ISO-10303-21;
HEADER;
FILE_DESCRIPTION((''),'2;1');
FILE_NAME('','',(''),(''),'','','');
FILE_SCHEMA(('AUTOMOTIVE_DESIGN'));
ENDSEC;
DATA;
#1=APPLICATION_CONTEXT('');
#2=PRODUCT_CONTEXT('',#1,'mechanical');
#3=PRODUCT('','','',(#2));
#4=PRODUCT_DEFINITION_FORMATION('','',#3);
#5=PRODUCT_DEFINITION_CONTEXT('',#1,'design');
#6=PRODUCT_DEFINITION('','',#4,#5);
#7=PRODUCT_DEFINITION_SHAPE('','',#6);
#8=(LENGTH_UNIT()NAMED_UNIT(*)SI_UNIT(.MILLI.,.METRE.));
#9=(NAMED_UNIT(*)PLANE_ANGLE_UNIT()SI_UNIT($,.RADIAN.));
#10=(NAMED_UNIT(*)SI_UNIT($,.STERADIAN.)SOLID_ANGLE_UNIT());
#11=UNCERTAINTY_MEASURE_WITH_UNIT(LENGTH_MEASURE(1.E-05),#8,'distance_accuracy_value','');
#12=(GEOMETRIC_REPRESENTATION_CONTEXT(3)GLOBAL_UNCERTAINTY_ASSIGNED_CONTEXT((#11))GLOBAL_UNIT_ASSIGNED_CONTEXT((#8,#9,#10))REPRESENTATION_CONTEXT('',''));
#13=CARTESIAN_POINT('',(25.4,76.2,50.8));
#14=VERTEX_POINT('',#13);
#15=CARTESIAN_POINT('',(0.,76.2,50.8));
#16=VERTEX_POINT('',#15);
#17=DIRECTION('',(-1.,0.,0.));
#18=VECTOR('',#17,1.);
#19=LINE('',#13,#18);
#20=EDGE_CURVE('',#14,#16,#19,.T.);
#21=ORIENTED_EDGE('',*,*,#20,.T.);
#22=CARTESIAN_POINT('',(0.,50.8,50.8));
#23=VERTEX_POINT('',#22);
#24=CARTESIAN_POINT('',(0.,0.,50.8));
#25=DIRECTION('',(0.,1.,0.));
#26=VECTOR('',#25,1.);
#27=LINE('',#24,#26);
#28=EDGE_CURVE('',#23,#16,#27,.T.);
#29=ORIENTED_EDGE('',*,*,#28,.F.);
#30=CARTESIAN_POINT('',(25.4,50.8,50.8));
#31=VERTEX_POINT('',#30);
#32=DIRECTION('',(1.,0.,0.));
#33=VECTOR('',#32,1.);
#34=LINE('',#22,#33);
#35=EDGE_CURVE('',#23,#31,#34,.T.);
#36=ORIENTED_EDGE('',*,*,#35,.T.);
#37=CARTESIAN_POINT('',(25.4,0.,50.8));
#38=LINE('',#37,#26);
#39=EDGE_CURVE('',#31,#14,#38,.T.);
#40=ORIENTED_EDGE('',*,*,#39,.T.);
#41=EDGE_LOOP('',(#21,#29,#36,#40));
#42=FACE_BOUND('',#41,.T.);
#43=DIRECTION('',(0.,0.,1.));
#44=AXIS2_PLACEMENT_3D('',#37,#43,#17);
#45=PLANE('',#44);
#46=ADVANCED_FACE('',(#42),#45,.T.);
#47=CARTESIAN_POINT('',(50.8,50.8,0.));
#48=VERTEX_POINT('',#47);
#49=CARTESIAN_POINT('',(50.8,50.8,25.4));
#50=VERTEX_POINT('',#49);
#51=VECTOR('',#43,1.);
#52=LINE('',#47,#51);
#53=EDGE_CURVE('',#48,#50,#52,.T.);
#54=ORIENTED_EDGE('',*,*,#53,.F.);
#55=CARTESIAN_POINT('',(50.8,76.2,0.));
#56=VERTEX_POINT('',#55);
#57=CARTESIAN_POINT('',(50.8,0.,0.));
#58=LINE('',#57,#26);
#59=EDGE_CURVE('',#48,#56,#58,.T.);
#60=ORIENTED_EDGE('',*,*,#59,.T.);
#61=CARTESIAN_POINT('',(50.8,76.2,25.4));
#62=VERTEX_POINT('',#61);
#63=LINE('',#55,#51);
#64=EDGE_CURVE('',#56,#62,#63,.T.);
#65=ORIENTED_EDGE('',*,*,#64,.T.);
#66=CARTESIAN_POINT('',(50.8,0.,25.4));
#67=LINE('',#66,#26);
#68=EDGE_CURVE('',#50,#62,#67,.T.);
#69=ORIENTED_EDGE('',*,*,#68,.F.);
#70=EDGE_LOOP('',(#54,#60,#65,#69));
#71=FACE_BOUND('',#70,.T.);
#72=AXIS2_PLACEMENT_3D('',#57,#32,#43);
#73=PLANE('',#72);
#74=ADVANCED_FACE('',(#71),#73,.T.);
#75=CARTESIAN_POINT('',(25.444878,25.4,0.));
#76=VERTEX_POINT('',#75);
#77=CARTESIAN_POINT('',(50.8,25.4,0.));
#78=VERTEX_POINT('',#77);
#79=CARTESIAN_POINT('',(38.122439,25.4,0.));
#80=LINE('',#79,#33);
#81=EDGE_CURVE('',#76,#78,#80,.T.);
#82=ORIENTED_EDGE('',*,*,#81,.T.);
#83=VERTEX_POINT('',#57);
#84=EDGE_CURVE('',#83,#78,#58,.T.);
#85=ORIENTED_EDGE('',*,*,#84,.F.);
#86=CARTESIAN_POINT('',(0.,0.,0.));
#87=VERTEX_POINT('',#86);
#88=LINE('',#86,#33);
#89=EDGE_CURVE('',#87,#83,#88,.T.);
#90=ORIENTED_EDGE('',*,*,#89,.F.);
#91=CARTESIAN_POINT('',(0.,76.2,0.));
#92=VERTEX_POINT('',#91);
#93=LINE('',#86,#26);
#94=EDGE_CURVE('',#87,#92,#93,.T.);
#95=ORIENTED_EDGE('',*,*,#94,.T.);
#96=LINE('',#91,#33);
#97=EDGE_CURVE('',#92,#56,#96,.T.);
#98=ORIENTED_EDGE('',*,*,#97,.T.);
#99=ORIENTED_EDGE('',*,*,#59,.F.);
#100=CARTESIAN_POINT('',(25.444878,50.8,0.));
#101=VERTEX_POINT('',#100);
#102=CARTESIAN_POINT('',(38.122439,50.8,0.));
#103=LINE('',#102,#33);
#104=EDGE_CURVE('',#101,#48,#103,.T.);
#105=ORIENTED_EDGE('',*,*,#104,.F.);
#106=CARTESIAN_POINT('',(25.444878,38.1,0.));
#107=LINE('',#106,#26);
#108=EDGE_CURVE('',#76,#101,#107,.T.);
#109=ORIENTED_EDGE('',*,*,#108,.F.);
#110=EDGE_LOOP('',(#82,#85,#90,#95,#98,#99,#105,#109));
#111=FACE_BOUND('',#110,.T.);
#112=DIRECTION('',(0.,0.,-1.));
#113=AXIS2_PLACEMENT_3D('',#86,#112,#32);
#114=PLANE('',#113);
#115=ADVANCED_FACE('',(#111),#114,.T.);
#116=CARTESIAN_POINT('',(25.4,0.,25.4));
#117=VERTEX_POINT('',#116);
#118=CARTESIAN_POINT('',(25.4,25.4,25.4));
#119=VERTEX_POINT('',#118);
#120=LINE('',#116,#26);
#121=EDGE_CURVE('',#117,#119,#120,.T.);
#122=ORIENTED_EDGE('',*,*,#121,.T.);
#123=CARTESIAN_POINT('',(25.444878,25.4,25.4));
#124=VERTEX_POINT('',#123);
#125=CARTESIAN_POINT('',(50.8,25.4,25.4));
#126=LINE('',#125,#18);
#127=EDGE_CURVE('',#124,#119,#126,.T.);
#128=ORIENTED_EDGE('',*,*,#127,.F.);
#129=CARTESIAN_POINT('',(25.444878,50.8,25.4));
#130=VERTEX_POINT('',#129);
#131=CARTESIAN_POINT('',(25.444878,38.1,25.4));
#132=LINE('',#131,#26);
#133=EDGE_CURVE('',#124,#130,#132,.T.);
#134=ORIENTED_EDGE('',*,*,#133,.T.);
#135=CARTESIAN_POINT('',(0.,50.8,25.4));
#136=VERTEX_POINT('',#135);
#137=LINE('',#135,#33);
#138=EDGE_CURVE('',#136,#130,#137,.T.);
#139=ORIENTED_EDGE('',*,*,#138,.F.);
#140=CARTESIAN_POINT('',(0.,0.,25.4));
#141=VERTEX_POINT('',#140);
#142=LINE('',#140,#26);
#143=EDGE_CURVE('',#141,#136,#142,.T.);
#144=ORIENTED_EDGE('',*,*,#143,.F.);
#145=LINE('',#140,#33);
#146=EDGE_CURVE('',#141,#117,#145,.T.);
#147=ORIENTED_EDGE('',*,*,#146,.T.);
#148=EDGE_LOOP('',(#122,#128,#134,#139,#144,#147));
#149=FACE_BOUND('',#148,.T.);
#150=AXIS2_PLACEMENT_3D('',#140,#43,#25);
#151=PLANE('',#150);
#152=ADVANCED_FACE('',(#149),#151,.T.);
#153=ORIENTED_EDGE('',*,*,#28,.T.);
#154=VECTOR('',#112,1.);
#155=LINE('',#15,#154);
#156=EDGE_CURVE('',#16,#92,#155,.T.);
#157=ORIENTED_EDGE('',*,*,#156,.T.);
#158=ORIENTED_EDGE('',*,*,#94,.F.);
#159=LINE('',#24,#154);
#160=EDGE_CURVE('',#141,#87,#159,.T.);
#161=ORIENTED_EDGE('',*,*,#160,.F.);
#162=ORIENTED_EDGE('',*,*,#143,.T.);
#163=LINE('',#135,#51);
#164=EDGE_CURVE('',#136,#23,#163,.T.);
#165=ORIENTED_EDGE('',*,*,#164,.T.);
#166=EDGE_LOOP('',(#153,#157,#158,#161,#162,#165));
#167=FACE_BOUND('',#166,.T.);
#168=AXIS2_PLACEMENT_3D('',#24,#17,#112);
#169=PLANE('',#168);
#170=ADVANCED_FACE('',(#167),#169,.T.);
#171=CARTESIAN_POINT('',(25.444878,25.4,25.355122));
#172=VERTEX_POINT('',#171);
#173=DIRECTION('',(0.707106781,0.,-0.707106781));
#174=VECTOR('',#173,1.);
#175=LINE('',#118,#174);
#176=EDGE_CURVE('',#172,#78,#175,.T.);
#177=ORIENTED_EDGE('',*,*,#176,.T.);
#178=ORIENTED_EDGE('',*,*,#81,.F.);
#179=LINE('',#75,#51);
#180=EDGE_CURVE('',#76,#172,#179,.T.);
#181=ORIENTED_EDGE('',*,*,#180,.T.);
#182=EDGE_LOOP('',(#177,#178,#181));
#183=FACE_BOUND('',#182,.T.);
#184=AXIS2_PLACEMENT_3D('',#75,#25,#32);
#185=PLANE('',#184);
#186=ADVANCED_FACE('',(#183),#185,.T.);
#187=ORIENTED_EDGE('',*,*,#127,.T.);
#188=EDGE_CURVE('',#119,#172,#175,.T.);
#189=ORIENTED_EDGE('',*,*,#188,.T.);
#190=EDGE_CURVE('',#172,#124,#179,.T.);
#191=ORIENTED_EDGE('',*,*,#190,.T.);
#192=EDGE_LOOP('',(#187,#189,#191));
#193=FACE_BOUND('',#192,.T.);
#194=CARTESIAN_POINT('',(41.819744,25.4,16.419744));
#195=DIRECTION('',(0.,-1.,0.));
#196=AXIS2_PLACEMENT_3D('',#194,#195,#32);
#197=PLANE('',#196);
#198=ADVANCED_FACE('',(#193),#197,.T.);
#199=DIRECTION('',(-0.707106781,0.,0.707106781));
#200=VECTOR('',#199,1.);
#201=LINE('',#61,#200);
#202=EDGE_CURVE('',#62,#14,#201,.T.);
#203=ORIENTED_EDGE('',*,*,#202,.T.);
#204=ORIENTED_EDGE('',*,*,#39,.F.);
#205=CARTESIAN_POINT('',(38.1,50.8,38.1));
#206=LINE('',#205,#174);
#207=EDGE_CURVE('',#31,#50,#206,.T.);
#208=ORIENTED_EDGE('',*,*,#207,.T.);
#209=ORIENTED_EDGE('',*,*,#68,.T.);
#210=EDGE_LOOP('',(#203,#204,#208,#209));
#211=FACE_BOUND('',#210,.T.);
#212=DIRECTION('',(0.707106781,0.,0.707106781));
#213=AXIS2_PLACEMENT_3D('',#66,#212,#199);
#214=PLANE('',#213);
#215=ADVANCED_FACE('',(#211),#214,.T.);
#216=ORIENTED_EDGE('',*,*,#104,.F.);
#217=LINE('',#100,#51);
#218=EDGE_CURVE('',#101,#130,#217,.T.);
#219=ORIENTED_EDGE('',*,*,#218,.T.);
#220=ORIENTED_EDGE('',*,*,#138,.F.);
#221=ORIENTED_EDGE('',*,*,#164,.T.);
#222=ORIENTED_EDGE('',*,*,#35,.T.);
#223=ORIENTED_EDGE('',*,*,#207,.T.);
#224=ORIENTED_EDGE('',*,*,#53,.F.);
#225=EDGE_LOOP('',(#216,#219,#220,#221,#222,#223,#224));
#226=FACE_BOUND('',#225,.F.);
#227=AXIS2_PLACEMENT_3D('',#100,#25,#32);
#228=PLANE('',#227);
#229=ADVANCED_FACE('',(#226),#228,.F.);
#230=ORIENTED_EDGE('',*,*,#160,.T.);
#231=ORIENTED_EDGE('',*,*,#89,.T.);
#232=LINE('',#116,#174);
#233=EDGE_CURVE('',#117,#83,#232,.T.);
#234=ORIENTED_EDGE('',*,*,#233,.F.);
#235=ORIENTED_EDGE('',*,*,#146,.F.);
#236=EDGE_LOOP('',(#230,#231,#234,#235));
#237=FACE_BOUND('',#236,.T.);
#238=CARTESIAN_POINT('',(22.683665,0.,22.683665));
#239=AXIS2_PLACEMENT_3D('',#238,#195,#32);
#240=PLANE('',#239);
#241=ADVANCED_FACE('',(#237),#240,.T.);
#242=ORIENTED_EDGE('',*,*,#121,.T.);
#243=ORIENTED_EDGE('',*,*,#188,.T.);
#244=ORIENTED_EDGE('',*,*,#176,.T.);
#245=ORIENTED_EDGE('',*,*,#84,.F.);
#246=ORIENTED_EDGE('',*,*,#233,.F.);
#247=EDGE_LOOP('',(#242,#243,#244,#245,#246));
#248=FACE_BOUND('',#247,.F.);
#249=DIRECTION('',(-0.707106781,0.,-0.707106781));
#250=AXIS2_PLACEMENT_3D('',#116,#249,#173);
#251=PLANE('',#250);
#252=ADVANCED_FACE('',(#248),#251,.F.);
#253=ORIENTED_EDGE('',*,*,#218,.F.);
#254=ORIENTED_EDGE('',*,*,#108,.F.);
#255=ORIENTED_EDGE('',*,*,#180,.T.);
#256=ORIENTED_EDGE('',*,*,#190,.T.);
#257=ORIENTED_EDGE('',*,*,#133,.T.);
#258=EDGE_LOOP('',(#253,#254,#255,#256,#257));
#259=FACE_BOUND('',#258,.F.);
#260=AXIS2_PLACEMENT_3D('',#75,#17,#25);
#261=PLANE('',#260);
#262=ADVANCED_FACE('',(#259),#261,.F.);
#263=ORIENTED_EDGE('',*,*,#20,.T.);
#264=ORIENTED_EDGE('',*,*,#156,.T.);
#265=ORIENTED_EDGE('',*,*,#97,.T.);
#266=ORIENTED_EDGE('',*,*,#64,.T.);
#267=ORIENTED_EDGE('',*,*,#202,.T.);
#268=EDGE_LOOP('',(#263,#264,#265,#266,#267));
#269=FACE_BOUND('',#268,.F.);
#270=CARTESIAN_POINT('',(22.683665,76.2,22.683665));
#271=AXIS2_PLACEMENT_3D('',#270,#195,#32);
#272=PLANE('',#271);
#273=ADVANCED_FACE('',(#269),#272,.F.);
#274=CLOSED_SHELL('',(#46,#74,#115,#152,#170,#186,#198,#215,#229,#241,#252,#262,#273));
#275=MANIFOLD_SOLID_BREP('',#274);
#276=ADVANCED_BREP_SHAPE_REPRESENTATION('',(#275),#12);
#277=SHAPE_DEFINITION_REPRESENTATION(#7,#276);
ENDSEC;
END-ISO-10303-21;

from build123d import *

# Parameters (mm, degrees)
F2_DEPTH = 76.2
F3_DEPTH = 50.8
F4_W     = 25.355122
F4_H     = 25.4
F5_DEPTH = 25.4
F7_DEPTH = 25.4


with BuildPart() as f2:
    # F0 (on Front) → F2 (new body)
    with BuildSketch(Plane.XZ):
        Polygon((0, 25.4), (0, 0), (50.8, 0), (50.8, 25.4), (25.4, 50.8), (0, 50.8), align=None)
    extrude(amount=-F2_DEPTH)

    # F1 (on Right) → F3 (cut)
    with BuildSketch(Plane.YZ):
        Polygon((50.8, 25.4), (50.8, 50.8), (0, 50.8), (0, 25.4), (25.4, 25.4), align=None)
    extrude(amount=F3_DEPTH, mode=Mode.SUBTRACT)

    # F4 (on Top) → F5 (cut)
    with BuildSketch(Plane.XY):
        with Locations((38.122439, 38.1)):
            Rectangle(F4_W, F4_H)
    extrude(amount=F5_DEPTH, mode=Mode.SUBTRACT)

    # F6 (on face) → F7 (cut)
    with BuildSketch(Plane.XZ):
        Polygon((25.4, 25.4), (50.8, 0), (50.8, 25.4), align=None)
    extrude(amount=-F7_DEPTH, mode=Mode.SUBTRACT)


solid = f2.part
